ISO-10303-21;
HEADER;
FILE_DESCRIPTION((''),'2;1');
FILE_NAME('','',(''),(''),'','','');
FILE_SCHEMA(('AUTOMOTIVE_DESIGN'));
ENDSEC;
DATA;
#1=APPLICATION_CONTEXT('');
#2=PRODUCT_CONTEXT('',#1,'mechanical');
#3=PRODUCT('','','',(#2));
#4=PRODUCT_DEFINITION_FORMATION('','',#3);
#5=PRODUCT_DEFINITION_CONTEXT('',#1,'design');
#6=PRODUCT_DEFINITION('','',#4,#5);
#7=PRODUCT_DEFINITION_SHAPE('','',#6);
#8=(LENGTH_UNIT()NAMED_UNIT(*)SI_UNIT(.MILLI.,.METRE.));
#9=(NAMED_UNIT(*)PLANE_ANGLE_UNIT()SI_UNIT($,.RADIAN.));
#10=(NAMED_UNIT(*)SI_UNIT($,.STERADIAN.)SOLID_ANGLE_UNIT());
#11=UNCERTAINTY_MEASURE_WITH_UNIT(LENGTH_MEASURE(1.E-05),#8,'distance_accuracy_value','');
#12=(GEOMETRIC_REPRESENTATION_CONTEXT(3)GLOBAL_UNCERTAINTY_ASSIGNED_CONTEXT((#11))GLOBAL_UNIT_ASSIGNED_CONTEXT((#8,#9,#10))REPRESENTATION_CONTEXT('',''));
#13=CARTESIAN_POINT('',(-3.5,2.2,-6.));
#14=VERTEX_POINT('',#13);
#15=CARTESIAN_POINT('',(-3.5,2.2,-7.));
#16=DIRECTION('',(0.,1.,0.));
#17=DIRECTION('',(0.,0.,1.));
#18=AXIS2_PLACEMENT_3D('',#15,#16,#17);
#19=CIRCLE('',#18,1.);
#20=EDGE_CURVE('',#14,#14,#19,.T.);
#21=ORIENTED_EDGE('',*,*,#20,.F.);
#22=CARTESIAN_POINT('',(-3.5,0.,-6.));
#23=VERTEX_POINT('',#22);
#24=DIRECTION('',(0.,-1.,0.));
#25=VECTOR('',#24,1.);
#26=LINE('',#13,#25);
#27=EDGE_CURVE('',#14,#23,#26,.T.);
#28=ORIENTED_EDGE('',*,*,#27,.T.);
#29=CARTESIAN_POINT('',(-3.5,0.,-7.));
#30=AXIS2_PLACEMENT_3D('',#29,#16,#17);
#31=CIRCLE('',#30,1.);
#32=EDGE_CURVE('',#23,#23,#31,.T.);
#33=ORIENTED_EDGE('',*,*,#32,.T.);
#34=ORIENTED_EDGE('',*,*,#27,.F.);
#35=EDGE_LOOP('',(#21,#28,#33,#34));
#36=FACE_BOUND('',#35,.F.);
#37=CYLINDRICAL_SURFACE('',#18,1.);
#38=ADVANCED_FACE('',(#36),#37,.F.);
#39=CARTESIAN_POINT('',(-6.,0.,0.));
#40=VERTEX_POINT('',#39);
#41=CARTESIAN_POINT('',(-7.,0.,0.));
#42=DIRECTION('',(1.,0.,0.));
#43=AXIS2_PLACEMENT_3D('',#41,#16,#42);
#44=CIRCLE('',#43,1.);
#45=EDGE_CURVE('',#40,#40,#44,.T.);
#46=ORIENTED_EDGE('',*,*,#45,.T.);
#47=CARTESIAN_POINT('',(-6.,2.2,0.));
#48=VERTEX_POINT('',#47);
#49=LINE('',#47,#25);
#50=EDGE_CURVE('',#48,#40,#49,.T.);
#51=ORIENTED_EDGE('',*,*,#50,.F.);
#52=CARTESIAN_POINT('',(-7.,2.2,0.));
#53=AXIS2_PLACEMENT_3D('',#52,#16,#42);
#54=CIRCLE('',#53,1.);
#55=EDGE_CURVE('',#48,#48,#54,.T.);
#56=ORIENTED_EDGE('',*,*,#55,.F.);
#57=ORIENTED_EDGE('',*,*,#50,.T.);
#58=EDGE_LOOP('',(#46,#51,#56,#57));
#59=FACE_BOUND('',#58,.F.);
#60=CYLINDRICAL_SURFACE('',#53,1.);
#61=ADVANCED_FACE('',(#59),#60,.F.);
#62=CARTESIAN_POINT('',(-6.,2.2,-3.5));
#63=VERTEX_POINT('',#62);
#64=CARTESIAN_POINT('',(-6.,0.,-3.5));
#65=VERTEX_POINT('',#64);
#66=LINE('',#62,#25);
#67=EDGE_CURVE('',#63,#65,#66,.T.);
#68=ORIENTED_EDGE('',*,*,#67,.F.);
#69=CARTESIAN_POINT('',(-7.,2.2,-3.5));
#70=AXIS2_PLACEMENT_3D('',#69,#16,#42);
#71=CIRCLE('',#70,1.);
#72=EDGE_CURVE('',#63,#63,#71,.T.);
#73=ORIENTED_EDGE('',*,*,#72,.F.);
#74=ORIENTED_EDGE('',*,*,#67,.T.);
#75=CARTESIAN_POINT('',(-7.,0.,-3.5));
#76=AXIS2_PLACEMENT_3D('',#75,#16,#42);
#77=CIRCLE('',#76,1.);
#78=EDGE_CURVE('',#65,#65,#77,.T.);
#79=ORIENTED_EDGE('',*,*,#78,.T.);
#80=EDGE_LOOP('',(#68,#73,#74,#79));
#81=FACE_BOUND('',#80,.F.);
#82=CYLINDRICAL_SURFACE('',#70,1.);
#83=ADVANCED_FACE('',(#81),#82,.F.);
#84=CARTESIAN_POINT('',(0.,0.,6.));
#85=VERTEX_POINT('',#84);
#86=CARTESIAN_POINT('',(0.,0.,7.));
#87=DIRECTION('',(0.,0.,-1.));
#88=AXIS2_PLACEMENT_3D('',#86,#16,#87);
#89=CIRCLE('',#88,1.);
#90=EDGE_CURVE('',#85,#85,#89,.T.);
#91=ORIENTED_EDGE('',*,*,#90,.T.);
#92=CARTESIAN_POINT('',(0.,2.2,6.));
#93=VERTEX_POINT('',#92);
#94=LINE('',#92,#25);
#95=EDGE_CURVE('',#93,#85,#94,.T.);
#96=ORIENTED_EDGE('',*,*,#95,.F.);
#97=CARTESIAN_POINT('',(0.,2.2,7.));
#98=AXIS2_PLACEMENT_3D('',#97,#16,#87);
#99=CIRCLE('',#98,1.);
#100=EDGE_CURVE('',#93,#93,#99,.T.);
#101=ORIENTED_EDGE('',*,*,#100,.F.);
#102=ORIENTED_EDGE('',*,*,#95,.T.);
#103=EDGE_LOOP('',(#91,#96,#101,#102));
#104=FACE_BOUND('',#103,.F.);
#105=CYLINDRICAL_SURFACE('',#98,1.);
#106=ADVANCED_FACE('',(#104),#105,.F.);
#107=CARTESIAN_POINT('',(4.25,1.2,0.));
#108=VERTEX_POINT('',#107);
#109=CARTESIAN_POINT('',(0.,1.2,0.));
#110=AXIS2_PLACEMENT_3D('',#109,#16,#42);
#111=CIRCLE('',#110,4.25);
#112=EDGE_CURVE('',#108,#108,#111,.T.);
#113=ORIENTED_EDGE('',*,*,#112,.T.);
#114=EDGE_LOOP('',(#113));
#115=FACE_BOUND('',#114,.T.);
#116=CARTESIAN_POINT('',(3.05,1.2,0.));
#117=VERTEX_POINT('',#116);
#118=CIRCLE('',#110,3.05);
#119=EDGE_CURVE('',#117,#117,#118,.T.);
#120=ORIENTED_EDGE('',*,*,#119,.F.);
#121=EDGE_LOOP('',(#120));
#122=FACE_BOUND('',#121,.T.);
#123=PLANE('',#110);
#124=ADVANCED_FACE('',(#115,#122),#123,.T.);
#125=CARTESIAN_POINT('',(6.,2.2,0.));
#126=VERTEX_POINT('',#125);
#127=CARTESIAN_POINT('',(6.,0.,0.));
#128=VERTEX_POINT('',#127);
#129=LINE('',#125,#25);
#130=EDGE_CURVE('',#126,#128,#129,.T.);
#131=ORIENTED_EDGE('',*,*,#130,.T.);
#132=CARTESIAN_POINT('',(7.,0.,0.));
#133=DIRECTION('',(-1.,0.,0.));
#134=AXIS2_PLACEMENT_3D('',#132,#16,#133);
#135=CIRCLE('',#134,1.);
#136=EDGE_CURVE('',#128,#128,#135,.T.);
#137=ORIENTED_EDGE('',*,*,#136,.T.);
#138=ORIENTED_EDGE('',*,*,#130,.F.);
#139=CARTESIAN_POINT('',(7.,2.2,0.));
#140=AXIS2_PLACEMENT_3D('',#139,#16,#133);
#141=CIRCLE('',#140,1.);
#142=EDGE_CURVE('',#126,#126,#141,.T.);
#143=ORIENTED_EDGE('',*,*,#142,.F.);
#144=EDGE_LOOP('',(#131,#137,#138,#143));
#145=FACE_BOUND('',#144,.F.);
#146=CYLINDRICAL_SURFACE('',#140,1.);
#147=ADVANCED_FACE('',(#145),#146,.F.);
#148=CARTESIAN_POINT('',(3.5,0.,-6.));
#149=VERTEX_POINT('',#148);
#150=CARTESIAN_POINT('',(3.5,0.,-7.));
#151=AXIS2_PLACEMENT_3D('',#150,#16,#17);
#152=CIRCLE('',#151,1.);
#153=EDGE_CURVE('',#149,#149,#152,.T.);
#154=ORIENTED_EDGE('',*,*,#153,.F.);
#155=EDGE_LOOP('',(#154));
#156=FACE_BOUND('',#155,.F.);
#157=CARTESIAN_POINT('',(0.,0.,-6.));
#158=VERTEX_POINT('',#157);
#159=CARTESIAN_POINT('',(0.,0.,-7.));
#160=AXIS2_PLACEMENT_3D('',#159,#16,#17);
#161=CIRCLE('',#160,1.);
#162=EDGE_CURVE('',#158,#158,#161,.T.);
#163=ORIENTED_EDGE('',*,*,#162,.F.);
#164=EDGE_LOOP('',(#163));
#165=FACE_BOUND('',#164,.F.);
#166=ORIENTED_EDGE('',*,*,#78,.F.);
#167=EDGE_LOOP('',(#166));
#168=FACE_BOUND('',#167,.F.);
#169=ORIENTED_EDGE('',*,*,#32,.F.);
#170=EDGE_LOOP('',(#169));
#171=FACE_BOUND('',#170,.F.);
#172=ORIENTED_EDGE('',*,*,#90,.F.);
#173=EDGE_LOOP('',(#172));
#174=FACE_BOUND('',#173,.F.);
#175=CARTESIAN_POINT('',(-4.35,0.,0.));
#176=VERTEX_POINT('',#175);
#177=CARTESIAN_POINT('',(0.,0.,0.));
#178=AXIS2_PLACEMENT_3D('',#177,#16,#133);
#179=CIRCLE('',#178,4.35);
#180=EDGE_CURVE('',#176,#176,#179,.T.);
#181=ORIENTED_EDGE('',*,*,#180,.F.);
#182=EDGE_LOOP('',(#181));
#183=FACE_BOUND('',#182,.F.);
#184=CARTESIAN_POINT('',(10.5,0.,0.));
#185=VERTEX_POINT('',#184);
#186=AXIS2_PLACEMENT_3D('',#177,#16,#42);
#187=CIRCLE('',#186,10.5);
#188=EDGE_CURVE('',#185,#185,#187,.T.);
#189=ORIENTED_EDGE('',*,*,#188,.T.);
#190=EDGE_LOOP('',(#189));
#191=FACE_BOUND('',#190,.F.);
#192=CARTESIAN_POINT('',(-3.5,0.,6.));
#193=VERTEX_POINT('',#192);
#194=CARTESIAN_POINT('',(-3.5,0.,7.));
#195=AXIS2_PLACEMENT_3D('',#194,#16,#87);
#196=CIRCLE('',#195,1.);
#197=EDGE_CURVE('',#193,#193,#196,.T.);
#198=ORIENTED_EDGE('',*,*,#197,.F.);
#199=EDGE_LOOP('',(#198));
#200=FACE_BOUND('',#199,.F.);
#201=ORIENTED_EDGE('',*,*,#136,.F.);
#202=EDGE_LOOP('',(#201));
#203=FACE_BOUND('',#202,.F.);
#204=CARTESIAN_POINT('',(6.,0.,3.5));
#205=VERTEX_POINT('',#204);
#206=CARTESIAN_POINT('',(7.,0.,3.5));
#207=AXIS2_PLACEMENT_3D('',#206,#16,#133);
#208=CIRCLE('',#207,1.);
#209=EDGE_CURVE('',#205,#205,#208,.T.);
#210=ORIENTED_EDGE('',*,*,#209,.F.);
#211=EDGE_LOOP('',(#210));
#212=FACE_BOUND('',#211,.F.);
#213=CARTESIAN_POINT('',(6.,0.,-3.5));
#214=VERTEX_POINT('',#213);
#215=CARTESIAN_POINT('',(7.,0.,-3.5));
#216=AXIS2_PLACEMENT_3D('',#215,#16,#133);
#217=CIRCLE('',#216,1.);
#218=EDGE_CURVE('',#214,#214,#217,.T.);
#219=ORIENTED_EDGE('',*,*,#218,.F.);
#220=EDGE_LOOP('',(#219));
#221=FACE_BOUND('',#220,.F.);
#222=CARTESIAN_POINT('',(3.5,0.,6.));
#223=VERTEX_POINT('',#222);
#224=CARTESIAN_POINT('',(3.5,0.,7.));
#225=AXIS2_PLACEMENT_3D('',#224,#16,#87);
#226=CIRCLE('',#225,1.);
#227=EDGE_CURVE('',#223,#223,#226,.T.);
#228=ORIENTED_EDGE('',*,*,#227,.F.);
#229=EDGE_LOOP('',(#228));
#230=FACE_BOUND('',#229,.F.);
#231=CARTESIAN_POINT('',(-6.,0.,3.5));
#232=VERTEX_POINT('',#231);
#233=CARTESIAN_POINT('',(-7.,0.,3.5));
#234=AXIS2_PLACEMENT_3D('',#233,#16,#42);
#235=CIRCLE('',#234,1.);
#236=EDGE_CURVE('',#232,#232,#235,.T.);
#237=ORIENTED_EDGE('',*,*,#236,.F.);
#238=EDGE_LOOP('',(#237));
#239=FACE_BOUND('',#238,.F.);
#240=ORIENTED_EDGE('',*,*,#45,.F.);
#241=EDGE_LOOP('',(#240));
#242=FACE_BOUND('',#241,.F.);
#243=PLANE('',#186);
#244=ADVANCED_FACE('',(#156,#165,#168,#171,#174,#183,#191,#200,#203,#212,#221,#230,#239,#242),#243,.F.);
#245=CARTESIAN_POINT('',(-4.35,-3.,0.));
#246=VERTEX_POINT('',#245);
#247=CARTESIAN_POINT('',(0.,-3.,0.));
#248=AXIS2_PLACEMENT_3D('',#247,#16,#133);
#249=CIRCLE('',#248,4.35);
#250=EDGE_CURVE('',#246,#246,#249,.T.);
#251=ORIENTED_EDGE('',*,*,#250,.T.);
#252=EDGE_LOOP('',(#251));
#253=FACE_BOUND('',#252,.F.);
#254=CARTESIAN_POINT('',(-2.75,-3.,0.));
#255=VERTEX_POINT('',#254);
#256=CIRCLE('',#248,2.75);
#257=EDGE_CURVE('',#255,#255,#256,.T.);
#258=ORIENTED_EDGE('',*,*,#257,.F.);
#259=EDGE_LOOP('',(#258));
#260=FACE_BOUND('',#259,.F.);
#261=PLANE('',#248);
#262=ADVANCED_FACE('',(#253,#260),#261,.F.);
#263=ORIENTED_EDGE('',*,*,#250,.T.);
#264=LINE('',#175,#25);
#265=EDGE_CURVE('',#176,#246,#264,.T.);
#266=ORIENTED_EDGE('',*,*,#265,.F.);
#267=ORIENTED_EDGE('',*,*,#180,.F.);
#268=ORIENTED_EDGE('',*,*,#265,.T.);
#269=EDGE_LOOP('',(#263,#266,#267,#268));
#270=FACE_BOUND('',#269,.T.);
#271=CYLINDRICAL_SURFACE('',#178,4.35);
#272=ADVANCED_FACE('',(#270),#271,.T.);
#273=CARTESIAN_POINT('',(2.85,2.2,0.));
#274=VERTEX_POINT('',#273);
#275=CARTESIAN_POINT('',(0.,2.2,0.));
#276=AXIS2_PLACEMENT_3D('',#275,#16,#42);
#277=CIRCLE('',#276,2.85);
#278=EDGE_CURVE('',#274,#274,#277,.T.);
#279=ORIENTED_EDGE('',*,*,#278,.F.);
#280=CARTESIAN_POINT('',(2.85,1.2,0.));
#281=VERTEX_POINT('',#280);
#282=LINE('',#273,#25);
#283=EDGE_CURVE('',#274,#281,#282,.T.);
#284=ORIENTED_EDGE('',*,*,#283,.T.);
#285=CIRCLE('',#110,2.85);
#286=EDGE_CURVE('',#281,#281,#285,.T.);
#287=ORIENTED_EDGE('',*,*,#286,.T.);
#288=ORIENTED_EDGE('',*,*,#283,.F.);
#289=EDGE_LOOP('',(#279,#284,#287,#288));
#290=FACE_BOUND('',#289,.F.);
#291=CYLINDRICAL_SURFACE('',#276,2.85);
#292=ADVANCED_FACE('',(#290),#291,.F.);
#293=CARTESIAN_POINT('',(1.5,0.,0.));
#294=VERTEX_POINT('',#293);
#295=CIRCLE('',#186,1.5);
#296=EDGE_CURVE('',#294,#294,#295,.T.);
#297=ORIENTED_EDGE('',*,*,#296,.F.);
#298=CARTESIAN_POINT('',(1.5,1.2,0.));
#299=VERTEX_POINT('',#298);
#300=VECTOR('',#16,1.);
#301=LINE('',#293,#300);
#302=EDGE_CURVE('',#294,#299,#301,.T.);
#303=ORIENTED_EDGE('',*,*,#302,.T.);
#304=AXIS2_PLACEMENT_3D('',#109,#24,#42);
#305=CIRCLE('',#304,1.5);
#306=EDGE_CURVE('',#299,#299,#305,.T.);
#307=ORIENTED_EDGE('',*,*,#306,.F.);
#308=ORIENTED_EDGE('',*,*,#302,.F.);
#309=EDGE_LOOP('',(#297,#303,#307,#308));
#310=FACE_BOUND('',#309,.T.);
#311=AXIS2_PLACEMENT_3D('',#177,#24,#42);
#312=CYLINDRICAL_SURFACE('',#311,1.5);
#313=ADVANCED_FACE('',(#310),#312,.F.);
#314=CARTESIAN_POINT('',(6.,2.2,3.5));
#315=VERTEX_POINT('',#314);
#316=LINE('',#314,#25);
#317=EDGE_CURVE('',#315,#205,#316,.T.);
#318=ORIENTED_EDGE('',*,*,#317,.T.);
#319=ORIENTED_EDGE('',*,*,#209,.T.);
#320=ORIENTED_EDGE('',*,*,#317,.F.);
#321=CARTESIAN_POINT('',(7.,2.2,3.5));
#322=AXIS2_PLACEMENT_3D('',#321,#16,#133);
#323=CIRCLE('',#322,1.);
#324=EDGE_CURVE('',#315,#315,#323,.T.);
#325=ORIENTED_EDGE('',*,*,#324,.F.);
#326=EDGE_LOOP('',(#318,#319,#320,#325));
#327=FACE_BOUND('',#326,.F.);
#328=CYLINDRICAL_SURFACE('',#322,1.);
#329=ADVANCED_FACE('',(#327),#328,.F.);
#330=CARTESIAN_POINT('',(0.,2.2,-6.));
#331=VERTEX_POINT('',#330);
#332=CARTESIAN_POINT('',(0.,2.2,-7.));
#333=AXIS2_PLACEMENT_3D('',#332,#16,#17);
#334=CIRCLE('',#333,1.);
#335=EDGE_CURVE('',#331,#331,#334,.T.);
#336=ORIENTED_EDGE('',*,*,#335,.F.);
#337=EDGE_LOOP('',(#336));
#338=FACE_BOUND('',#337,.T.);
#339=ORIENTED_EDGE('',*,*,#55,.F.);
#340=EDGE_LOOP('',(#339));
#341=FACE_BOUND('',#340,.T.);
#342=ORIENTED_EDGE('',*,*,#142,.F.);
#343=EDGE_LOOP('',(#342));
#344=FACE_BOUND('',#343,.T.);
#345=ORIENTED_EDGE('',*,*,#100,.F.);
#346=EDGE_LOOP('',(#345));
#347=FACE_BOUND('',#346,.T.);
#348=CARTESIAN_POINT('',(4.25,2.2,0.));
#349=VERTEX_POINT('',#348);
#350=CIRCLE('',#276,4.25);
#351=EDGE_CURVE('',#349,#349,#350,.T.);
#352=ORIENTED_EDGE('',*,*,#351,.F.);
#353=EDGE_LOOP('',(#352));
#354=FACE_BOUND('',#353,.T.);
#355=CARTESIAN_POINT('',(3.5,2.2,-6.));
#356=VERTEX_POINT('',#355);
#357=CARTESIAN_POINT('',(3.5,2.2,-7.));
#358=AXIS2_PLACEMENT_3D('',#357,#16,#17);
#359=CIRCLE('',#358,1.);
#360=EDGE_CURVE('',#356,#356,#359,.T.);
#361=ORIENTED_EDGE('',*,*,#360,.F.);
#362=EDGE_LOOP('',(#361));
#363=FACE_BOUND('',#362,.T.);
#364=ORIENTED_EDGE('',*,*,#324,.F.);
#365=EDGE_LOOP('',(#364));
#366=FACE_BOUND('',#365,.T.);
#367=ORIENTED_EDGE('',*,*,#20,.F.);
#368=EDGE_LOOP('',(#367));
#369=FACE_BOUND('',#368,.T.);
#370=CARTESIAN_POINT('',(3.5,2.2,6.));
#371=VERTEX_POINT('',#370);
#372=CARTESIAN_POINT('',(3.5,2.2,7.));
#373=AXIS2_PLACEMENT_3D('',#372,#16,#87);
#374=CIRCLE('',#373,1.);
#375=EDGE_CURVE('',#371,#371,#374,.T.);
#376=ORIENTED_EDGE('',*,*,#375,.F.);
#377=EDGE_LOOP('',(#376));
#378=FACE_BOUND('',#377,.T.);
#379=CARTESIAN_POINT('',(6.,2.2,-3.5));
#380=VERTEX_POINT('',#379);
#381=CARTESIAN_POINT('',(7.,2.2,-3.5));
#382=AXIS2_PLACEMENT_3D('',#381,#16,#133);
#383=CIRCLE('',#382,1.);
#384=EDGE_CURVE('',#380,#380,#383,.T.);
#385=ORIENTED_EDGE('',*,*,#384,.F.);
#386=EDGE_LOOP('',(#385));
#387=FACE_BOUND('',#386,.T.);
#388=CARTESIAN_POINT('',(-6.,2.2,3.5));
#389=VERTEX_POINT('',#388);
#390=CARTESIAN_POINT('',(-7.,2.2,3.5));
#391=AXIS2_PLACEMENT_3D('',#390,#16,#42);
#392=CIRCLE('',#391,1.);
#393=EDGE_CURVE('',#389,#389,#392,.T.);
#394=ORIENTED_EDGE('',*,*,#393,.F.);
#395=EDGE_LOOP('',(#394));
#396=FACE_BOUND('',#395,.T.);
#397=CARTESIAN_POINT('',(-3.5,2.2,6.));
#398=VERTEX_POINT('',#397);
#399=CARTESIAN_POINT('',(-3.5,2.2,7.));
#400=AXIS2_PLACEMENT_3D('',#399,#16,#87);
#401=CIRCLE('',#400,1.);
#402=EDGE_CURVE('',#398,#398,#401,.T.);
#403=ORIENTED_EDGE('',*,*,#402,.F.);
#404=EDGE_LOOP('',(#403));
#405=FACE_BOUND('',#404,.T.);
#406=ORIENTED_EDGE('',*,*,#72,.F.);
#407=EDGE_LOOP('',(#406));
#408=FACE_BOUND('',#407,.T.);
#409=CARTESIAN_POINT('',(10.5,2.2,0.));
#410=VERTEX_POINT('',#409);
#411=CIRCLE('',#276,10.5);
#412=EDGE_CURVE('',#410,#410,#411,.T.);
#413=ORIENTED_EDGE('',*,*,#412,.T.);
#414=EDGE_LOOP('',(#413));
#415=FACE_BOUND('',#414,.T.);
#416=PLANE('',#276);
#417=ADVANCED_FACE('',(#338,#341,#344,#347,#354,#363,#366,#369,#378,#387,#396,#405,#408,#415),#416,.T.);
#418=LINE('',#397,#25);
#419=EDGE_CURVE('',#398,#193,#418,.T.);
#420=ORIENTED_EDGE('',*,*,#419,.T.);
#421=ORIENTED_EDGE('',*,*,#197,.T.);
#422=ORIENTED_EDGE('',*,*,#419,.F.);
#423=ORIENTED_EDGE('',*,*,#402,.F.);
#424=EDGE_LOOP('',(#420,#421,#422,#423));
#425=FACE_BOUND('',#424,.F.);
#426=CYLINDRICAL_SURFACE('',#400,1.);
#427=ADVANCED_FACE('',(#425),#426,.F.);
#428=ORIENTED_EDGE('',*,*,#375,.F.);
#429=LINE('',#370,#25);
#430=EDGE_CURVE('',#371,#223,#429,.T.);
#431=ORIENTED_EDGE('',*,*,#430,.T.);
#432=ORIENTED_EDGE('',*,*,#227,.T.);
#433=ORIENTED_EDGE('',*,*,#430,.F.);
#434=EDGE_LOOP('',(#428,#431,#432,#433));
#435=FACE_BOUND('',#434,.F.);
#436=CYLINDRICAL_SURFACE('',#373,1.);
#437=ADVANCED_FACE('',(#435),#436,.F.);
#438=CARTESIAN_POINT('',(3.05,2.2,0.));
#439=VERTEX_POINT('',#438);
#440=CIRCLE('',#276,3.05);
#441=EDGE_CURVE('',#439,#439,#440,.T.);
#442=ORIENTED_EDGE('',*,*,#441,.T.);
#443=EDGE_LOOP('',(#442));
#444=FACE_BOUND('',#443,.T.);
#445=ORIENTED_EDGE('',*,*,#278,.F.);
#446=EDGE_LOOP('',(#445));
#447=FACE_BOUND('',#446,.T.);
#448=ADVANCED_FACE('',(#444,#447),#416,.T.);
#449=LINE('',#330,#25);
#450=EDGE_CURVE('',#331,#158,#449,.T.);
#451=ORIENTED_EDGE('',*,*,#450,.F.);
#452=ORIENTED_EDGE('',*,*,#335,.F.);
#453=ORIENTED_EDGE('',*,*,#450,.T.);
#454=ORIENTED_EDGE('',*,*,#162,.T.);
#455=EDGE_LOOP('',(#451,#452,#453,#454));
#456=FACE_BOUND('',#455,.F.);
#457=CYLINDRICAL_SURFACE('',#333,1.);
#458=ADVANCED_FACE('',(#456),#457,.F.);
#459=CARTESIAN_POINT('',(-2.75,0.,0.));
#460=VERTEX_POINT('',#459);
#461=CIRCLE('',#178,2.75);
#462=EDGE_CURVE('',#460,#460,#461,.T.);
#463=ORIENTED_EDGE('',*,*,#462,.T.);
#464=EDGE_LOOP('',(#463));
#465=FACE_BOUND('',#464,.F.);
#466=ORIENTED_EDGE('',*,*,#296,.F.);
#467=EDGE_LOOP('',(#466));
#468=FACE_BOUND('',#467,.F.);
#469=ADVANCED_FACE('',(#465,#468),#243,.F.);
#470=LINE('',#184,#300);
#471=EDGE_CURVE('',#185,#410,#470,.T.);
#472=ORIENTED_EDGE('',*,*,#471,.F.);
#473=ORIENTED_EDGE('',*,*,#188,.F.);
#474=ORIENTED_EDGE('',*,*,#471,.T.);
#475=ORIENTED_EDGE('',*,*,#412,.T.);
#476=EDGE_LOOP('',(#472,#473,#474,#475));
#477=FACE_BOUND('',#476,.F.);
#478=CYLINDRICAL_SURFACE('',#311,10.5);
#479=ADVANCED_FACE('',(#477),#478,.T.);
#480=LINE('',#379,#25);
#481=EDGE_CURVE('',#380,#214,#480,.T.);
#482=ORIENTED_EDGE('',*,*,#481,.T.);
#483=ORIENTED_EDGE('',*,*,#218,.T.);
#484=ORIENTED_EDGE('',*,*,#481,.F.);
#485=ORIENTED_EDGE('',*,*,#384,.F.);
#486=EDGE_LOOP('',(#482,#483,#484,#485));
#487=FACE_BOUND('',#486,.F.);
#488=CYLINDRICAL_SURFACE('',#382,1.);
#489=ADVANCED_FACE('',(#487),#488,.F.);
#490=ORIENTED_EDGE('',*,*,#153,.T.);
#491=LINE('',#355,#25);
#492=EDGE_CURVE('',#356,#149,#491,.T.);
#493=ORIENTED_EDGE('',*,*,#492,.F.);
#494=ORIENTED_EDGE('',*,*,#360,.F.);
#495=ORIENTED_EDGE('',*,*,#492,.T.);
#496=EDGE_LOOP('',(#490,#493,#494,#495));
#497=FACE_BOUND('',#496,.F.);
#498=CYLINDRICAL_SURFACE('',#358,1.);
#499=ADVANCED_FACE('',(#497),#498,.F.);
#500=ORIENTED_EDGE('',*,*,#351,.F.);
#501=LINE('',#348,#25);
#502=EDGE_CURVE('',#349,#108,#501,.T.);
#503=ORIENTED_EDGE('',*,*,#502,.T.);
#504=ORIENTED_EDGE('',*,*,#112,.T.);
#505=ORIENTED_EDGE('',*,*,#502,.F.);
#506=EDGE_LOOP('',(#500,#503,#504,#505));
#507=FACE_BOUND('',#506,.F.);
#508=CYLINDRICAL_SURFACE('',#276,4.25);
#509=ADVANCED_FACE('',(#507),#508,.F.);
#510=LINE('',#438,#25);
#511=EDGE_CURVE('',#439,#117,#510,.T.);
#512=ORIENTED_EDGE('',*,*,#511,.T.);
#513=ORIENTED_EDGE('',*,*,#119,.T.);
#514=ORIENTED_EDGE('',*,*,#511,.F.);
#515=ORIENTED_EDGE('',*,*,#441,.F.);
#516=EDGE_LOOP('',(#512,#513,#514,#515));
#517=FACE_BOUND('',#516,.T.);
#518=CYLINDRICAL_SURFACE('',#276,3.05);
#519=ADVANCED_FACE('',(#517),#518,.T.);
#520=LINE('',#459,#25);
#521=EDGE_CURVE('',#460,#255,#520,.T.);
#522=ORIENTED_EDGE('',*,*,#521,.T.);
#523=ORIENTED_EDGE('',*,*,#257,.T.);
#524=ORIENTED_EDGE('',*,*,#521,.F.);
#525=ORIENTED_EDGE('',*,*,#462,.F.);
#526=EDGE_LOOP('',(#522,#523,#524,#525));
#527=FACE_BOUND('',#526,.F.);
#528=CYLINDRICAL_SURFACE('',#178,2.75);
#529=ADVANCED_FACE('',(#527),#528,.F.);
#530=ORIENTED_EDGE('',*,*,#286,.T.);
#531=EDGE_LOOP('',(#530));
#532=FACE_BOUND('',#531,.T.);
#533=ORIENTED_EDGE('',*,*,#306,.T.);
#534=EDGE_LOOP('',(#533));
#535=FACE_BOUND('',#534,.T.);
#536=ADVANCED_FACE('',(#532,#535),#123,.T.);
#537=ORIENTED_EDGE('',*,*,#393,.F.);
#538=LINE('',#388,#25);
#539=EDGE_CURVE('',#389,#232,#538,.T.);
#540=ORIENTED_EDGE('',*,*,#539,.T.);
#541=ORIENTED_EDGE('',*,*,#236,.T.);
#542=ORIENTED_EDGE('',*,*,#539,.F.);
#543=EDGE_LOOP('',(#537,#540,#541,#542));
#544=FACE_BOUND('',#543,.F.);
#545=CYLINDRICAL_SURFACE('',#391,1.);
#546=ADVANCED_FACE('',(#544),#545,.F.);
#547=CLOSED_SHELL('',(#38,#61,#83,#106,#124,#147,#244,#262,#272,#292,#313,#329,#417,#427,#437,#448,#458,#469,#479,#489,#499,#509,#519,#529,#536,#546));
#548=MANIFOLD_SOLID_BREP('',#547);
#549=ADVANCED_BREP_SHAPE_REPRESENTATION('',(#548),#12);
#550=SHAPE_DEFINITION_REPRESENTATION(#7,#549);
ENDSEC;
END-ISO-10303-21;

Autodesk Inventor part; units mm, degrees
ref_plane "YZ Plane" through (0, 0, 0) normal (1, 0, 0) x (0, 1, 0)
ref_plane "XZ Plane" through (0, 0, 0) normal (0, 1, 0) x (-1, 0, 0)
ref_plane "XY Plane" through (0, 0, 0) normal (0, 0, 1) x (1, 0, 0)
sketch "스케치1" plane through (0, 0, 0) normal (0, 1, 0) x (-1, 0, 0)
  circle A0 centre (0, 0) radius 4.35
  circle A1 centre (0, 0) radius 2.75
  dimension "d0" = 8.7
  dimension "d1" = 5.5
extrude "돌출1" add sketch "스케치1" against normal blind 3
sketch "스케치3" plane through (0, 0, 0) normal (0, 1, 0) x (1, 0, 0)
  circle A0 centre (0, 0) radius 10.5
  circle A1 centre (0, 0) radius 1.5
  dimension "d4" = 21
  dimension "d5" = 3
extrude "돌출2" add sketch "스케치3" along normal blind 2.2
sketch "스케치4" plane through (0, 2.2, 0) normal (0, 1, 0) x (1, 0, 0)
  circle A0 centre (0, 0) radius 2.85
  circle A1 centre (0, 0) radius 3.05
  circle A2 centre (0, 0) radius 4.25
  dimension "d8" = 5.7
  dimension "d9" = 6.1
  dimension "d10" = 8.5
extrude "돌출3" cut sketch "스케치4" against normal blind 1
sketch "스케치5" plane through (0, 2.2, 0) normal (0, 1, 0) x (1, 0, 0)
  circle A0 centre (-7, 0) radius 1
  circle A1 centre (-7, -3.5) radius 1
  line L0 (0, 0) -> (-0.944, 0)
  circle A2 centre (-7, 3.5) radius 1
  dimension "d13" = 2
  dimension "d14" = 7
  dimension "d15" = 2
  dimension "d16" = 3.5
extrude "돌출4" cut sketch "스케치5" against normal blind 7.25
pattern_circular "원형 패턴1" count 4 over 360 about axis through (0, 2.2, 0) along (0, -1, 0) of "돌출4"
properties part number "MG서보모터 원형부품"
